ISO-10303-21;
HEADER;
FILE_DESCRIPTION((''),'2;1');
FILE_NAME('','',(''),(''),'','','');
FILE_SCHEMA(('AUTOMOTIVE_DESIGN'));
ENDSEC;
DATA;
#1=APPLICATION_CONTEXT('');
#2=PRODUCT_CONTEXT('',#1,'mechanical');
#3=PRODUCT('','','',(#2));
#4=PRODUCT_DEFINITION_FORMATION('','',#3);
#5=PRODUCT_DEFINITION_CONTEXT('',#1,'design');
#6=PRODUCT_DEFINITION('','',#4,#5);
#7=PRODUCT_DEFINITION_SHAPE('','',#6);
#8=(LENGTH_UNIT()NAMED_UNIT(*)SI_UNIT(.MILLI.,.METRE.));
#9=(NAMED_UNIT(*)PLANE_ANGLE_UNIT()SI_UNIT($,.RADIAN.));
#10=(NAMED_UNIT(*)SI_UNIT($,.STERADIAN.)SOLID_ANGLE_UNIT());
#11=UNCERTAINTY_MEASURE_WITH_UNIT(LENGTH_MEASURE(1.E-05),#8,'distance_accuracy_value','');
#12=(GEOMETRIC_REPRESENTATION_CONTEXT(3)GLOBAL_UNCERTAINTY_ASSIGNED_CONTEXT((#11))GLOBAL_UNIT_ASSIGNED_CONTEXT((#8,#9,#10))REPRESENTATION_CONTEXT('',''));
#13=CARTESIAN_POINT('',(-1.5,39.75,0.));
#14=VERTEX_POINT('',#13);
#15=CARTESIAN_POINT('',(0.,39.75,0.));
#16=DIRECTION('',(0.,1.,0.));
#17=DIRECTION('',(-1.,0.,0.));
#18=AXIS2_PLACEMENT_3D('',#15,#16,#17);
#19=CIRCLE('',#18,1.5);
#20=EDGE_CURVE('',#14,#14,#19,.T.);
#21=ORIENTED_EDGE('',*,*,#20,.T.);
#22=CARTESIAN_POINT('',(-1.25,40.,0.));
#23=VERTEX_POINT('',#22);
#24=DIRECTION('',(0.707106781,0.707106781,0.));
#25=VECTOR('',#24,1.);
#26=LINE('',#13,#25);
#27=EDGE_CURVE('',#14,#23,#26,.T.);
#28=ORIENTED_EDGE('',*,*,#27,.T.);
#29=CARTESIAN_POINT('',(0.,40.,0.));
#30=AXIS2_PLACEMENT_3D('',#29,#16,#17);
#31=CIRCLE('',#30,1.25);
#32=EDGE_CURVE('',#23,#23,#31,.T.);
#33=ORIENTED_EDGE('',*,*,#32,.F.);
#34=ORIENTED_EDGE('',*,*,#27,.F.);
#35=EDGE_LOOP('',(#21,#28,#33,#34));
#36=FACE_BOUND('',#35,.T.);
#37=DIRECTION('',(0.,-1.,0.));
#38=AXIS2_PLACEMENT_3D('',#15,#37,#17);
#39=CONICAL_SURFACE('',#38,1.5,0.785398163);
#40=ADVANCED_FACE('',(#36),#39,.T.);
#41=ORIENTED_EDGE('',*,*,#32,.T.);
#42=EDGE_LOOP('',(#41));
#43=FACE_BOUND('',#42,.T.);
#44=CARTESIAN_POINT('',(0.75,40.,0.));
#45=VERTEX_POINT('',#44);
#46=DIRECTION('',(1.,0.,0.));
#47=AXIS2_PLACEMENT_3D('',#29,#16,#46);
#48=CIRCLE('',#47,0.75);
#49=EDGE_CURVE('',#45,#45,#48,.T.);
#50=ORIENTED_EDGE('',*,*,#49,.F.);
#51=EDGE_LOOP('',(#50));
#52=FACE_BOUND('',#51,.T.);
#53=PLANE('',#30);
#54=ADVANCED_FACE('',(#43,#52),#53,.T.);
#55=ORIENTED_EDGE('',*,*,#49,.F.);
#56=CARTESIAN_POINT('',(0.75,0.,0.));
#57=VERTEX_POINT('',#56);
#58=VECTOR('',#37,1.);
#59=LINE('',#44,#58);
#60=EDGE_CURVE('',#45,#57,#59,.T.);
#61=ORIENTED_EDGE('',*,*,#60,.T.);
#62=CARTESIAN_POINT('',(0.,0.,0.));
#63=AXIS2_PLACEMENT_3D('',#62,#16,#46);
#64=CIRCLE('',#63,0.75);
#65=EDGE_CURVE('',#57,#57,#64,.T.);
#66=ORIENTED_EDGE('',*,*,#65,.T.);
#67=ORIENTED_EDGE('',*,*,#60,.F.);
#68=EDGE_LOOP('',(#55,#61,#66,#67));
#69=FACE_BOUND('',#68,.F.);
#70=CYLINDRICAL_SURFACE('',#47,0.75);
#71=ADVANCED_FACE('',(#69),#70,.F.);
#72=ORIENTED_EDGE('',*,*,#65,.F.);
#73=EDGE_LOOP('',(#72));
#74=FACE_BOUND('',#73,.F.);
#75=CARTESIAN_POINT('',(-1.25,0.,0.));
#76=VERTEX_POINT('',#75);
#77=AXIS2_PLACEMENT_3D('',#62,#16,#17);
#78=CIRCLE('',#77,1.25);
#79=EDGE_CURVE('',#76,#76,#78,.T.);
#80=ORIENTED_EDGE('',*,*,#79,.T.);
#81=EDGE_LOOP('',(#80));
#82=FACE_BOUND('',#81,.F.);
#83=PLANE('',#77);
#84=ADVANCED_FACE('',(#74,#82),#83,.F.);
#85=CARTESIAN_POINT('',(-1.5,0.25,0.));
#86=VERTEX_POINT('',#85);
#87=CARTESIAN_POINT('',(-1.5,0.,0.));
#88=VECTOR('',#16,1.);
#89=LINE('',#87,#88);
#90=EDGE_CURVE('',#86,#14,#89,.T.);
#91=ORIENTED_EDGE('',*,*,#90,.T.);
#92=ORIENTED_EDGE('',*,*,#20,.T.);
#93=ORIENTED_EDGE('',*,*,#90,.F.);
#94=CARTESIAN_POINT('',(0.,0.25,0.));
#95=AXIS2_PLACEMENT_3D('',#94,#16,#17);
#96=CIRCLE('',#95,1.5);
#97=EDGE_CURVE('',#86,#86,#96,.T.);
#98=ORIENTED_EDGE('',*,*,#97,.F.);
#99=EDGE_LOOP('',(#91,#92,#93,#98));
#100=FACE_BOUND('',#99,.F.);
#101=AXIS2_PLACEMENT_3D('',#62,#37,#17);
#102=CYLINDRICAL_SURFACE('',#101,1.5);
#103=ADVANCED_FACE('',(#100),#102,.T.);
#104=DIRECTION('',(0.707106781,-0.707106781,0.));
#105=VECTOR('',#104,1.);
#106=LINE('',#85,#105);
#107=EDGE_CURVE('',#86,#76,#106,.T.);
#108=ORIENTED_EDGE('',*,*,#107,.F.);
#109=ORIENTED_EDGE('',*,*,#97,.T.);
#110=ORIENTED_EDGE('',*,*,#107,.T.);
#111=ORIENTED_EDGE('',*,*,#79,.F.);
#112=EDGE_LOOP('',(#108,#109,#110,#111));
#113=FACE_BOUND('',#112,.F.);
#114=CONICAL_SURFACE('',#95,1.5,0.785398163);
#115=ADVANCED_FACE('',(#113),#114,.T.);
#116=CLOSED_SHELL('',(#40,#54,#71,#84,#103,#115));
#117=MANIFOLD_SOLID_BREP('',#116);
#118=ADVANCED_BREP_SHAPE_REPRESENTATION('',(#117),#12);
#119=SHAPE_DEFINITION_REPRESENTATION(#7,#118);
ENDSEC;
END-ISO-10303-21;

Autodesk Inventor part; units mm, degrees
ref_plane "YZ Plane" through (0, 0, 0) normal (1, 0, 0) x (0, 1, 0)
ref_plane "XZ Plane" through (0, 0, 0) normal (0, 1, 0) x (-1, 0, 0)
ref_plane "XY Plane" through (0, 0, 0) normal (0, 0, 1) x (1, 0, 0)
sketch "Sketch1" plane through (0, 0, 0) normal (0, 1, 0) x (-1, 0, 0)
  circle A0 centre (0, 0) radius 1.5
  dimension "d0" = 3
extrude "Extrusion1" add sketch "Sketch1" along normal blind 40
sketch "Sketch2" plane through (0, 40, 0) normal (0, 1, 0) x (1, 0, 0)
  circle A0 centre (0, 0) radius 0.75
  dimension "d3" = 1.5
extrude "Extrusion2" cut sketch "Sketch2" against normal blind 40
chamfer "Chamfer1" distance 0.25 angle 45 2 edges at (1.5, 40, 0) (1.5, 0, 0)
properties part number "pin_3_40"
